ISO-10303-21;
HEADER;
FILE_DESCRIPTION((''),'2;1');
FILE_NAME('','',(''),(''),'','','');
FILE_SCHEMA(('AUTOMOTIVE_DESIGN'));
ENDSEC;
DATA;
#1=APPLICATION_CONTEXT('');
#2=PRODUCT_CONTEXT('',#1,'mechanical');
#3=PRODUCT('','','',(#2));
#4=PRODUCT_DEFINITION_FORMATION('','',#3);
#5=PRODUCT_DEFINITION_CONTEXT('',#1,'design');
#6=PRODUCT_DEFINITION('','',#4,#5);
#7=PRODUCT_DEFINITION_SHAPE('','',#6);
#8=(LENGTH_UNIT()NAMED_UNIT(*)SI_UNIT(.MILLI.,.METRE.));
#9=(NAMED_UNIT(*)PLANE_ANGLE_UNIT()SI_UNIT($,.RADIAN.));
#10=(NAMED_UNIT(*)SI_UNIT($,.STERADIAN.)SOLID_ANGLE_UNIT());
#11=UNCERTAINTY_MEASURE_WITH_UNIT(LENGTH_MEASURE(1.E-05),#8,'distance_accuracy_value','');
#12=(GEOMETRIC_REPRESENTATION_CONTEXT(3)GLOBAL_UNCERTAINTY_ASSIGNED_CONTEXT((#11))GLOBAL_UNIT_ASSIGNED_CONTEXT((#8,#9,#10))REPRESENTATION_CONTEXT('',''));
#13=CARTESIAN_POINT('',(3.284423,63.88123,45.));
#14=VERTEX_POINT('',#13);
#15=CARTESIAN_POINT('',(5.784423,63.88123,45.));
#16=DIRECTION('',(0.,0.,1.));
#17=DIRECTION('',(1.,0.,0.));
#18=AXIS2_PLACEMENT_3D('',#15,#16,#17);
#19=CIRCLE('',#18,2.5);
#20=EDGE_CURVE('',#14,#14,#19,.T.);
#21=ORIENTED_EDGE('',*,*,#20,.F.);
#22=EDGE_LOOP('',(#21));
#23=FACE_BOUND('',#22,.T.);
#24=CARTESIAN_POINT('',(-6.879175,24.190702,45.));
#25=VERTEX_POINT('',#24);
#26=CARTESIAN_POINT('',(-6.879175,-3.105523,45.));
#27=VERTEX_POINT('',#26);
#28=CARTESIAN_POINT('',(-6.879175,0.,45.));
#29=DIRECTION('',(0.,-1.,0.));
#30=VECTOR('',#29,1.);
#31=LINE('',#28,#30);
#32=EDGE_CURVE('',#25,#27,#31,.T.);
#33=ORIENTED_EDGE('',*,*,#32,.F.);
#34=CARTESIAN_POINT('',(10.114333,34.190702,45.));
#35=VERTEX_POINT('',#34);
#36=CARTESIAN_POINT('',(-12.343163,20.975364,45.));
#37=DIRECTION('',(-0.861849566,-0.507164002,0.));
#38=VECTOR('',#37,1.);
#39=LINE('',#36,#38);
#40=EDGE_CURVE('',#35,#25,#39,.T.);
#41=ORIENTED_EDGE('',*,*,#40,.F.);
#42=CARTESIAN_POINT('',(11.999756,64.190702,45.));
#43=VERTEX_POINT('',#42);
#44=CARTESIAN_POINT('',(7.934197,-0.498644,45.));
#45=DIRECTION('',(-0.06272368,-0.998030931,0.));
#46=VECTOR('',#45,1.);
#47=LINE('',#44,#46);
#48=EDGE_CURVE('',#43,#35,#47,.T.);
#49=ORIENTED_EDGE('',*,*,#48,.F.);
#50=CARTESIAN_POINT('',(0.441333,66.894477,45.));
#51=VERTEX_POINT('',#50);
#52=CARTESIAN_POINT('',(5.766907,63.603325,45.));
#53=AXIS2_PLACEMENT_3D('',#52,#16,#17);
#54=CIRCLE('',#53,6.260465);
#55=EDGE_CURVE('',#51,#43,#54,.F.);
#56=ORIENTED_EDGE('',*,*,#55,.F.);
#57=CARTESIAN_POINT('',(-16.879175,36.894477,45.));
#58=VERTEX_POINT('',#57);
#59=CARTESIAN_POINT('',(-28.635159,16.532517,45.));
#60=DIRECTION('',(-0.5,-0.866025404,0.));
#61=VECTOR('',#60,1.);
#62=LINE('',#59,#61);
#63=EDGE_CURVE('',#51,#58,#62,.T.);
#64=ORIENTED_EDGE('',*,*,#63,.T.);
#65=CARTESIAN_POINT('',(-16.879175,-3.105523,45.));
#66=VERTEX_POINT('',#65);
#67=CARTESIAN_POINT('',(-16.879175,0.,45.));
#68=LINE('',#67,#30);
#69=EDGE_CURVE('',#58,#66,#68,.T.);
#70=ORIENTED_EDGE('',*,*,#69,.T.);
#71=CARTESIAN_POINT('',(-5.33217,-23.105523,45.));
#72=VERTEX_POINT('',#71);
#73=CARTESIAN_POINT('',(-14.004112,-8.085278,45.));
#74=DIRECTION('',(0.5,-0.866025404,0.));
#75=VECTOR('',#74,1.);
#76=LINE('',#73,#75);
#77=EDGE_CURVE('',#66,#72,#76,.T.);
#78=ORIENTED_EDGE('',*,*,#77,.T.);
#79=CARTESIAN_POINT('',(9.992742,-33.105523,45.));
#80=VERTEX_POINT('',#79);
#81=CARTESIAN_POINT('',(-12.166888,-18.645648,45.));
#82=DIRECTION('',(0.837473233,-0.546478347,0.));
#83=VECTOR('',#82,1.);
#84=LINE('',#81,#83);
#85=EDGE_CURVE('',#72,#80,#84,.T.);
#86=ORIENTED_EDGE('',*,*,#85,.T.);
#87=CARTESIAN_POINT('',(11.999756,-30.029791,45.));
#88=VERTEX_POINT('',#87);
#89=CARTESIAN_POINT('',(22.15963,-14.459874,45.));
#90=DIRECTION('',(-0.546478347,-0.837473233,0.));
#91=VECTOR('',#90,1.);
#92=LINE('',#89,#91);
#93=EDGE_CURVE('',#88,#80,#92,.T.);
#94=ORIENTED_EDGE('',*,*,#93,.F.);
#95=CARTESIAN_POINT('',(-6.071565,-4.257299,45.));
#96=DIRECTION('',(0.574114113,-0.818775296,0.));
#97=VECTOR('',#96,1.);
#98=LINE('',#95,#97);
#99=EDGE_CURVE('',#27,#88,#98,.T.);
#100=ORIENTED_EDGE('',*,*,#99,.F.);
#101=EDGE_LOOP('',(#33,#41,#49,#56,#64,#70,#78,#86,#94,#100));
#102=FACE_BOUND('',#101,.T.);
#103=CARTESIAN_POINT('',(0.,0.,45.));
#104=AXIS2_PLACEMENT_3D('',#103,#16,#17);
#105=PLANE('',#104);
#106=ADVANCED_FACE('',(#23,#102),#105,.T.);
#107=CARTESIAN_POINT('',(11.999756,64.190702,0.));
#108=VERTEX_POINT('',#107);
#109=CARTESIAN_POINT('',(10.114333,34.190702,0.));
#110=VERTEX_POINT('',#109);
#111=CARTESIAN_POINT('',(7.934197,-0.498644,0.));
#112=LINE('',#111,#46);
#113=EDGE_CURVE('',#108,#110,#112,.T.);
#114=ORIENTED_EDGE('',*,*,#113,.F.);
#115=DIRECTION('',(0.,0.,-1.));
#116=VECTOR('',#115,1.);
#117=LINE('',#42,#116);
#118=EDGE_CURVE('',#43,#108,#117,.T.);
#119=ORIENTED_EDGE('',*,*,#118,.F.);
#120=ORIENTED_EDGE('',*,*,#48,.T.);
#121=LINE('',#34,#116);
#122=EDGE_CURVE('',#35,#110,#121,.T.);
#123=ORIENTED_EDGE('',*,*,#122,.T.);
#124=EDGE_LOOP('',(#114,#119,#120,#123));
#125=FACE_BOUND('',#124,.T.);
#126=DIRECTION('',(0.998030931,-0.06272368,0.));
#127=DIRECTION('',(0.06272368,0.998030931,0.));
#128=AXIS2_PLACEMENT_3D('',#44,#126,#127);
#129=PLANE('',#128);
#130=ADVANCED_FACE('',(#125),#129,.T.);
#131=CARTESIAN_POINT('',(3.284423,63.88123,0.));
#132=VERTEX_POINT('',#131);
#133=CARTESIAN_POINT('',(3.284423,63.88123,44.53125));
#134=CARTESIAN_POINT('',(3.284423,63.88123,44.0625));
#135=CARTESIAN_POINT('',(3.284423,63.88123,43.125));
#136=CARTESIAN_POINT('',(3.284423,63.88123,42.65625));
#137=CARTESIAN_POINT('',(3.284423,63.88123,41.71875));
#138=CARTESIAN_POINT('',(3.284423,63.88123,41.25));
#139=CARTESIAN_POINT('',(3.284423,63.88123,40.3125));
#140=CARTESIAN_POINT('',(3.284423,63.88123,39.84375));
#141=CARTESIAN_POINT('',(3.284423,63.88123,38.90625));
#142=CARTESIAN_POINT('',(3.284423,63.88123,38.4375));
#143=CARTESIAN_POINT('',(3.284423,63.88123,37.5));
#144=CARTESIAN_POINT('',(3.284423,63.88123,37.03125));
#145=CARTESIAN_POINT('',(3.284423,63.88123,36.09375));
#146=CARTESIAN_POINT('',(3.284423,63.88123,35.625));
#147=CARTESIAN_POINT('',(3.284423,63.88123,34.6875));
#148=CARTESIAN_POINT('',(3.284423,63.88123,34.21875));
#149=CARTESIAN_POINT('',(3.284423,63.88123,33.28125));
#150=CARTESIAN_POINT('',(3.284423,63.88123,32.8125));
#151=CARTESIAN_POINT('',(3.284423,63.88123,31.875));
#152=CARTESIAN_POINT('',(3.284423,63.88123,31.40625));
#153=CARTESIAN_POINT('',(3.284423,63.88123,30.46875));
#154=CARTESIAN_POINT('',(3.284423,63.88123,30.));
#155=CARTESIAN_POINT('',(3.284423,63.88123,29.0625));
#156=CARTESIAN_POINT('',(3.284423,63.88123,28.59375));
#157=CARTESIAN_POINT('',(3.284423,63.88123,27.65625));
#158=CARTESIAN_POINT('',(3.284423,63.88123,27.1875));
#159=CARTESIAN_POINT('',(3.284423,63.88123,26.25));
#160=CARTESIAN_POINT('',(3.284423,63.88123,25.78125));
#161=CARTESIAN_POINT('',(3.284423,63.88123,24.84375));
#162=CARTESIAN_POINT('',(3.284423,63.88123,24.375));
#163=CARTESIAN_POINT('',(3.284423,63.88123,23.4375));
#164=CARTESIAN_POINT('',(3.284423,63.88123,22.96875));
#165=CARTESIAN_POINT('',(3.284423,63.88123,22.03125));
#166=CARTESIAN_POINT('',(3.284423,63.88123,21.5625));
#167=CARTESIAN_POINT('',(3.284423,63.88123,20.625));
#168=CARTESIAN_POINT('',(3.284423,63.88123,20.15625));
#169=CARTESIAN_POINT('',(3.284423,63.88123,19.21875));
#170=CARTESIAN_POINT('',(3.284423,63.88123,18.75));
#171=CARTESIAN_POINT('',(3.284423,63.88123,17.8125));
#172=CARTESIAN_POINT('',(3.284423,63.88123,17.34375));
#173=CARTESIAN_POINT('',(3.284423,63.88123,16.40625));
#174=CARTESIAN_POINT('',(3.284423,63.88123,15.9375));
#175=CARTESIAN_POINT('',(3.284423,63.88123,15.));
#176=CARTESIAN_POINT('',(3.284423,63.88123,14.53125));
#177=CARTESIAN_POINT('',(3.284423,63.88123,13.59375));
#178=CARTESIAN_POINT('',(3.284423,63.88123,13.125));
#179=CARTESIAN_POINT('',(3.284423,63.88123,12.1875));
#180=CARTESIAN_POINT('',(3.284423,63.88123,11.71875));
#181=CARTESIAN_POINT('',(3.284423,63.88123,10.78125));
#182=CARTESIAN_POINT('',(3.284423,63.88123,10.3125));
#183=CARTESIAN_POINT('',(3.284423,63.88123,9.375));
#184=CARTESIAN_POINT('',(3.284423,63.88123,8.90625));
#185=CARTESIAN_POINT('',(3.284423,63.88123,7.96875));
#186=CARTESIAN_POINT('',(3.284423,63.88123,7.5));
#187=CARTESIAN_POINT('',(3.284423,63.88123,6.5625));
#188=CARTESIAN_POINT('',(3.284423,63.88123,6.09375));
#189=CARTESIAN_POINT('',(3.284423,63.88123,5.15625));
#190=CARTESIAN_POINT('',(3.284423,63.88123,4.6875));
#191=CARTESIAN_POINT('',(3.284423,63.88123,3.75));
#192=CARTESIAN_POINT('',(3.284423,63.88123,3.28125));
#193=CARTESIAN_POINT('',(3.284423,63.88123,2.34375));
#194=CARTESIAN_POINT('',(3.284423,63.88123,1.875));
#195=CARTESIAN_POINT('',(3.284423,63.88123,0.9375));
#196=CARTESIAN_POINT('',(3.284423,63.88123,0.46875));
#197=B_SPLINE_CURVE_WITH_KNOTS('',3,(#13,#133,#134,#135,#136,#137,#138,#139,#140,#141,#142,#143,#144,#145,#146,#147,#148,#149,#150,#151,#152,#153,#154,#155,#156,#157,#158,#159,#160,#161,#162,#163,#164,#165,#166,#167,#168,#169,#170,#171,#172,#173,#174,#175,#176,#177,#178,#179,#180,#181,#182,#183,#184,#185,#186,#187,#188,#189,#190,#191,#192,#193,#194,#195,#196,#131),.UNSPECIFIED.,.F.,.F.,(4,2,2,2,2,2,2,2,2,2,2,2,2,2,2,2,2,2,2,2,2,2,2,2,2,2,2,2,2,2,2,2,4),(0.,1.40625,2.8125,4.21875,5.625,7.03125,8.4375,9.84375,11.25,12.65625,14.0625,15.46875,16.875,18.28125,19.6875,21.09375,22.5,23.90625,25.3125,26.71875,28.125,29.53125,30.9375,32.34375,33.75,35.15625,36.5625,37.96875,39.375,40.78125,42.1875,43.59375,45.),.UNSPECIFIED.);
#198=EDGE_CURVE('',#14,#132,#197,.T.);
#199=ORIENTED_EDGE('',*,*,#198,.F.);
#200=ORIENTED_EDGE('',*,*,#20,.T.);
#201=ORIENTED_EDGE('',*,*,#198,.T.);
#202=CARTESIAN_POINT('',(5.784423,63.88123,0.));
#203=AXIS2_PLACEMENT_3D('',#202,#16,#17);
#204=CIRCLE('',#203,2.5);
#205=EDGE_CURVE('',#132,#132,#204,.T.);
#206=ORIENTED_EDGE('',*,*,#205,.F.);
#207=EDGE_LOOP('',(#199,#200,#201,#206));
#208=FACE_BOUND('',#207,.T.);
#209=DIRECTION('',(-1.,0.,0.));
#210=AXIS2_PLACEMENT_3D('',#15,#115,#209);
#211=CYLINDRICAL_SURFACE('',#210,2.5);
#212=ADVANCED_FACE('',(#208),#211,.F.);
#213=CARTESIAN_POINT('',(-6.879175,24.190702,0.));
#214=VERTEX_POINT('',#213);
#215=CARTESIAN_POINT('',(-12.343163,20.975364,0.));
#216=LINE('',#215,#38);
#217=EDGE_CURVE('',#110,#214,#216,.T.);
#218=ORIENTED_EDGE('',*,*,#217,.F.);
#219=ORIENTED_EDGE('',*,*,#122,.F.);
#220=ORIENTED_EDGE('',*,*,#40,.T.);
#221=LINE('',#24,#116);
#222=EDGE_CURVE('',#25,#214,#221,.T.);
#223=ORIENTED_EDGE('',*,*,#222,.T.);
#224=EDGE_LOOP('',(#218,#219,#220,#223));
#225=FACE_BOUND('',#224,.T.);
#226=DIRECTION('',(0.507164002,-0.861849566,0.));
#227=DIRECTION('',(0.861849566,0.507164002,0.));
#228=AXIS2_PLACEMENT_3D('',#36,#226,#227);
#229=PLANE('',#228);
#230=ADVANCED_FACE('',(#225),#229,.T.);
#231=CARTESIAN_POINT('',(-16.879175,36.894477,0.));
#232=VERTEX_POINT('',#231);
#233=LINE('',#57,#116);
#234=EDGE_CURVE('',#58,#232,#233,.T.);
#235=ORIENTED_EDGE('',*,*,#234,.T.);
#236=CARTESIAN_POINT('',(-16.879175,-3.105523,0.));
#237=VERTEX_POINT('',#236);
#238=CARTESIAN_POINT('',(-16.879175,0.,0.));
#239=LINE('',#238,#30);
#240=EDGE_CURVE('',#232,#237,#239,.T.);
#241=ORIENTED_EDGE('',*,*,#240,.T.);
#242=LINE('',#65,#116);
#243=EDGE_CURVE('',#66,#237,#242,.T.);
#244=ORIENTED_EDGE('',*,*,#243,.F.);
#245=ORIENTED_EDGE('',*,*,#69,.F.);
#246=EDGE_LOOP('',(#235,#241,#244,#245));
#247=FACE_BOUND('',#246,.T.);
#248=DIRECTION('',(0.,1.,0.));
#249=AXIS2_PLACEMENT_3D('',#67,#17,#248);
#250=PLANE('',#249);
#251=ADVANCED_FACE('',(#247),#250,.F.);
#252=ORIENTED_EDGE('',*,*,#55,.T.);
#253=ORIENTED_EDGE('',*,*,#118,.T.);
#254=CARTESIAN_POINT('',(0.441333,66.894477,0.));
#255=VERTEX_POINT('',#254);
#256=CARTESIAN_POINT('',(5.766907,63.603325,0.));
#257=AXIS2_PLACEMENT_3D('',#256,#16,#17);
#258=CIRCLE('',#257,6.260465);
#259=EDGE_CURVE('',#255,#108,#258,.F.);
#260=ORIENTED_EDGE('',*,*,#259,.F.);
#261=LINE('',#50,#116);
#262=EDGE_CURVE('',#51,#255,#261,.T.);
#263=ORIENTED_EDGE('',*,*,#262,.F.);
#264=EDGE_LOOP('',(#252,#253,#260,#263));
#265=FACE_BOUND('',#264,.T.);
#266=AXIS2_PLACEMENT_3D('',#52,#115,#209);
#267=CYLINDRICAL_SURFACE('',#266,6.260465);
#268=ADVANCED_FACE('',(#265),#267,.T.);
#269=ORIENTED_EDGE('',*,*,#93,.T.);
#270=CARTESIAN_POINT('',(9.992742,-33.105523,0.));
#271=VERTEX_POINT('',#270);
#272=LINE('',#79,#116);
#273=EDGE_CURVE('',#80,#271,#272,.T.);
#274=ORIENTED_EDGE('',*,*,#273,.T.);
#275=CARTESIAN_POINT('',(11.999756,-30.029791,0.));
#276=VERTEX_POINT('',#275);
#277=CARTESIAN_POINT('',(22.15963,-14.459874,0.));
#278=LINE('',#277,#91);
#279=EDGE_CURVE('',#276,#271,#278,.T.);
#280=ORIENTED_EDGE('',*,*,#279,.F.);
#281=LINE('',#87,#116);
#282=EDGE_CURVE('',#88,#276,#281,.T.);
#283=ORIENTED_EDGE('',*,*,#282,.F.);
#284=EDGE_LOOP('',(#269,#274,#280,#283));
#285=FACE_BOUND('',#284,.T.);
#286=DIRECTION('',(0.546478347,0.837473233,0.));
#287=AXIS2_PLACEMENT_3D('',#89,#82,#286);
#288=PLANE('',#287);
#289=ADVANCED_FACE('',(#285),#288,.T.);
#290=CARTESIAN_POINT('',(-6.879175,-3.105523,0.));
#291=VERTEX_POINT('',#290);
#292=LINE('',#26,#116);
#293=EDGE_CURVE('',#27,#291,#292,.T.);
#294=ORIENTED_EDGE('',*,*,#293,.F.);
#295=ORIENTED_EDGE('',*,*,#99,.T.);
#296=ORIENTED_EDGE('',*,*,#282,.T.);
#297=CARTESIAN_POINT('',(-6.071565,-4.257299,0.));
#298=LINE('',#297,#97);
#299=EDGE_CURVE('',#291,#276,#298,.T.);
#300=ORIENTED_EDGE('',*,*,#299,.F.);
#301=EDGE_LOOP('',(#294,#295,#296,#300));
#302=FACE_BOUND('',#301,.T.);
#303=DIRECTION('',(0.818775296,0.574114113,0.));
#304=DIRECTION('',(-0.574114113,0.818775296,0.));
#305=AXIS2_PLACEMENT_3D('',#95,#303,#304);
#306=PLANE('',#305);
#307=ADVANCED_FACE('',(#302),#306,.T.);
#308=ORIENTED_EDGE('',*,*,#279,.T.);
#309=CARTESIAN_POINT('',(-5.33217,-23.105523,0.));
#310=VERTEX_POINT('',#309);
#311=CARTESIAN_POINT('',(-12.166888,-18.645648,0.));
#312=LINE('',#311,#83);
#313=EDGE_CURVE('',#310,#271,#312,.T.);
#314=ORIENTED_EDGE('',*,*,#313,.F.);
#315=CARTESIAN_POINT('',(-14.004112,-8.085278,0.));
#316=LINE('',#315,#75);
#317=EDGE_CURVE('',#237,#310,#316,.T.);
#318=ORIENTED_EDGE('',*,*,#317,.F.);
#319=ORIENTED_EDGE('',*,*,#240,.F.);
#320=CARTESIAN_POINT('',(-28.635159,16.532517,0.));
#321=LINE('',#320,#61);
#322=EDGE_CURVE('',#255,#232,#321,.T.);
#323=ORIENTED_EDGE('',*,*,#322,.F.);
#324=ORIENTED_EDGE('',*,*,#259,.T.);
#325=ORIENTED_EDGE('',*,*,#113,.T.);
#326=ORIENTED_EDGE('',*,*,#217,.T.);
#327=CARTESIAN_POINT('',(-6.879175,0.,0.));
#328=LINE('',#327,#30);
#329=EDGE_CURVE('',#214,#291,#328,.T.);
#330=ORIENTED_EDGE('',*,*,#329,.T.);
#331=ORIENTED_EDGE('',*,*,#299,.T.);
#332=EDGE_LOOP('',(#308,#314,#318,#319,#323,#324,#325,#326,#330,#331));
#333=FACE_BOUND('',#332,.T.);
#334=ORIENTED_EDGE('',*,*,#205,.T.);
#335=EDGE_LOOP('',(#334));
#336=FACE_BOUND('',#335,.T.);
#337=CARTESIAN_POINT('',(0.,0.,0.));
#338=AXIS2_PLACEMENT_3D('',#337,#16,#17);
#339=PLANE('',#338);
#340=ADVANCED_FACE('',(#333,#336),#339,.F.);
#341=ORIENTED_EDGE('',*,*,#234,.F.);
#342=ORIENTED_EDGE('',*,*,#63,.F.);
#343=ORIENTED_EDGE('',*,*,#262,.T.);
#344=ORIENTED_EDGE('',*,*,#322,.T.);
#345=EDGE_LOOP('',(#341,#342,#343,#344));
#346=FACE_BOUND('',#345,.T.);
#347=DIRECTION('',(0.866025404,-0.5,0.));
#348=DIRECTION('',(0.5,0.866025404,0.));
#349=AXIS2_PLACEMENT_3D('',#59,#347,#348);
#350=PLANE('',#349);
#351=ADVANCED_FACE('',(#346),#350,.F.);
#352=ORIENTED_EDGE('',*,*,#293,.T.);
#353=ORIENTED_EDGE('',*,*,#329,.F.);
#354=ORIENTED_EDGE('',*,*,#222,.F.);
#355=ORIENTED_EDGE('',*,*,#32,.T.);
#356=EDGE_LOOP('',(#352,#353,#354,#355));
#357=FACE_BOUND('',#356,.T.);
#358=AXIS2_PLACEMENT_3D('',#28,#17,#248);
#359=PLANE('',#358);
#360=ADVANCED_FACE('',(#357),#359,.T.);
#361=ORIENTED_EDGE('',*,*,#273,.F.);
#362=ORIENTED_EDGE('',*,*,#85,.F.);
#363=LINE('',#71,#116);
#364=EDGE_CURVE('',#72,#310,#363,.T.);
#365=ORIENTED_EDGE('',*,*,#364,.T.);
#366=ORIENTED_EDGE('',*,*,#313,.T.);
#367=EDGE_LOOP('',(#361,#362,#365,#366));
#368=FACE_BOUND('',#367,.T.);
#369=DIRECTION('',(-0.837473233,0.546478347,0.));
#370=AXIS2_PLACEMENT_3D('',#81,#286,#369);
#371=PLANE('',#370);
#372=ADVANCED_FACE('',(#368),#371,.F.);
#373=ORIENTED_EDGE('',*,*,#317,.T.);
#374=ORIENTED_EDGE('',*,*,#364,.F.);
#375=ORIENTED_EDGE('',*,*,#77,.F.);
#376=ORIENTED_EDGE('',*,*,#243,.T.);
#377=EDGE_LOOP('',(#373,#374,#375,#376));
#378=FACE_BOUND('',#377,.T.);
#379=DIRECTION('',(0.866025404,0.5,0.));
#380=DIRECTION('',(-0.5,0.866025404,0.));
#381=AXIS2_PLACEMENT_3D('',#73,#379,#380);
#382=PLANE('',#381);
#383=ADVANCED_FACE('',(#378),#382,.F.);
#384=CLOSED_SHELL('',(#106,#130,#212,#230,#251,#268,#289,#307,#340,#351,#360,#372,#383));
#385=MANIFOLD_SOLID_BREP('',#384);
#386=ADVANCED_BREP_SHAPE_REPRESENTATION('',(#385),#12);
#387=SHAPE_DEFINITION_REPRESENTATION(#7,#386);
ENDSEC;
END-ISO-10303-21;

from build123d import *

# Parameters (mm, degrees)
EXTRUDE_4_DEPTH     = 45
SKETCH_2_R          = 2.5
CUT_EXTRUDE_1_DEPTH = 85.798913103


with BuildPart() as part:
    # 草图1 → 凸台-拉伸4 (new body)
    with BuildSketch(Plane.XY):
        with BuildLine():
            ThreePointArc((11.999755772, 64.190702015), (7.19287537, 69.699227744), (0.441332655, 66.894477154))
            Line((0.441332655, 66.894477154), (-16.87917542, 36.894477154))
            Line((-16.87917542, 36.894477154), (-16.87917542, -3.105522846))
            Line((-16.87917542, -3.105522846), (-5.332170037, -23.105522846))
            Line((-5.332170037, -23.105522846), (9.992741519, -33.105522846))
            Line((9.992741519, -33.105522846), (11.999755772, -30.029791253))
            Line((11.999755772, -30.029791253), (-6.87917542, -3.105522846))
            Line((-6.87917542, -3.105522846), (-6.87917542, 14.190702015))
            Line((-6.87917542, 14.190702015), (-6.87917542, 24.190702015))
            Line((-6.87917542, 24.190702015), (10.114332844, 34.190702015))
            Line((10.114332844, 34.190702015), (11.999755772, 64.190702015))
        make_face()
    extrude(amount=EXTRUDE_4_DEPTH)

    # 草图2 → 切除-拉伸1 (cut, through all)
    with BuildSketch(Plane.XY):
        with Locations(Location((5.784422652, 63.881230161, 0), (0, 0, 180))):
            Circle(SKETCH_2_R)
    extrude(amount=CUT_EXTRUDE_1_DEPTH, mode=Mode.SUBTRACT)


solid = part.part
